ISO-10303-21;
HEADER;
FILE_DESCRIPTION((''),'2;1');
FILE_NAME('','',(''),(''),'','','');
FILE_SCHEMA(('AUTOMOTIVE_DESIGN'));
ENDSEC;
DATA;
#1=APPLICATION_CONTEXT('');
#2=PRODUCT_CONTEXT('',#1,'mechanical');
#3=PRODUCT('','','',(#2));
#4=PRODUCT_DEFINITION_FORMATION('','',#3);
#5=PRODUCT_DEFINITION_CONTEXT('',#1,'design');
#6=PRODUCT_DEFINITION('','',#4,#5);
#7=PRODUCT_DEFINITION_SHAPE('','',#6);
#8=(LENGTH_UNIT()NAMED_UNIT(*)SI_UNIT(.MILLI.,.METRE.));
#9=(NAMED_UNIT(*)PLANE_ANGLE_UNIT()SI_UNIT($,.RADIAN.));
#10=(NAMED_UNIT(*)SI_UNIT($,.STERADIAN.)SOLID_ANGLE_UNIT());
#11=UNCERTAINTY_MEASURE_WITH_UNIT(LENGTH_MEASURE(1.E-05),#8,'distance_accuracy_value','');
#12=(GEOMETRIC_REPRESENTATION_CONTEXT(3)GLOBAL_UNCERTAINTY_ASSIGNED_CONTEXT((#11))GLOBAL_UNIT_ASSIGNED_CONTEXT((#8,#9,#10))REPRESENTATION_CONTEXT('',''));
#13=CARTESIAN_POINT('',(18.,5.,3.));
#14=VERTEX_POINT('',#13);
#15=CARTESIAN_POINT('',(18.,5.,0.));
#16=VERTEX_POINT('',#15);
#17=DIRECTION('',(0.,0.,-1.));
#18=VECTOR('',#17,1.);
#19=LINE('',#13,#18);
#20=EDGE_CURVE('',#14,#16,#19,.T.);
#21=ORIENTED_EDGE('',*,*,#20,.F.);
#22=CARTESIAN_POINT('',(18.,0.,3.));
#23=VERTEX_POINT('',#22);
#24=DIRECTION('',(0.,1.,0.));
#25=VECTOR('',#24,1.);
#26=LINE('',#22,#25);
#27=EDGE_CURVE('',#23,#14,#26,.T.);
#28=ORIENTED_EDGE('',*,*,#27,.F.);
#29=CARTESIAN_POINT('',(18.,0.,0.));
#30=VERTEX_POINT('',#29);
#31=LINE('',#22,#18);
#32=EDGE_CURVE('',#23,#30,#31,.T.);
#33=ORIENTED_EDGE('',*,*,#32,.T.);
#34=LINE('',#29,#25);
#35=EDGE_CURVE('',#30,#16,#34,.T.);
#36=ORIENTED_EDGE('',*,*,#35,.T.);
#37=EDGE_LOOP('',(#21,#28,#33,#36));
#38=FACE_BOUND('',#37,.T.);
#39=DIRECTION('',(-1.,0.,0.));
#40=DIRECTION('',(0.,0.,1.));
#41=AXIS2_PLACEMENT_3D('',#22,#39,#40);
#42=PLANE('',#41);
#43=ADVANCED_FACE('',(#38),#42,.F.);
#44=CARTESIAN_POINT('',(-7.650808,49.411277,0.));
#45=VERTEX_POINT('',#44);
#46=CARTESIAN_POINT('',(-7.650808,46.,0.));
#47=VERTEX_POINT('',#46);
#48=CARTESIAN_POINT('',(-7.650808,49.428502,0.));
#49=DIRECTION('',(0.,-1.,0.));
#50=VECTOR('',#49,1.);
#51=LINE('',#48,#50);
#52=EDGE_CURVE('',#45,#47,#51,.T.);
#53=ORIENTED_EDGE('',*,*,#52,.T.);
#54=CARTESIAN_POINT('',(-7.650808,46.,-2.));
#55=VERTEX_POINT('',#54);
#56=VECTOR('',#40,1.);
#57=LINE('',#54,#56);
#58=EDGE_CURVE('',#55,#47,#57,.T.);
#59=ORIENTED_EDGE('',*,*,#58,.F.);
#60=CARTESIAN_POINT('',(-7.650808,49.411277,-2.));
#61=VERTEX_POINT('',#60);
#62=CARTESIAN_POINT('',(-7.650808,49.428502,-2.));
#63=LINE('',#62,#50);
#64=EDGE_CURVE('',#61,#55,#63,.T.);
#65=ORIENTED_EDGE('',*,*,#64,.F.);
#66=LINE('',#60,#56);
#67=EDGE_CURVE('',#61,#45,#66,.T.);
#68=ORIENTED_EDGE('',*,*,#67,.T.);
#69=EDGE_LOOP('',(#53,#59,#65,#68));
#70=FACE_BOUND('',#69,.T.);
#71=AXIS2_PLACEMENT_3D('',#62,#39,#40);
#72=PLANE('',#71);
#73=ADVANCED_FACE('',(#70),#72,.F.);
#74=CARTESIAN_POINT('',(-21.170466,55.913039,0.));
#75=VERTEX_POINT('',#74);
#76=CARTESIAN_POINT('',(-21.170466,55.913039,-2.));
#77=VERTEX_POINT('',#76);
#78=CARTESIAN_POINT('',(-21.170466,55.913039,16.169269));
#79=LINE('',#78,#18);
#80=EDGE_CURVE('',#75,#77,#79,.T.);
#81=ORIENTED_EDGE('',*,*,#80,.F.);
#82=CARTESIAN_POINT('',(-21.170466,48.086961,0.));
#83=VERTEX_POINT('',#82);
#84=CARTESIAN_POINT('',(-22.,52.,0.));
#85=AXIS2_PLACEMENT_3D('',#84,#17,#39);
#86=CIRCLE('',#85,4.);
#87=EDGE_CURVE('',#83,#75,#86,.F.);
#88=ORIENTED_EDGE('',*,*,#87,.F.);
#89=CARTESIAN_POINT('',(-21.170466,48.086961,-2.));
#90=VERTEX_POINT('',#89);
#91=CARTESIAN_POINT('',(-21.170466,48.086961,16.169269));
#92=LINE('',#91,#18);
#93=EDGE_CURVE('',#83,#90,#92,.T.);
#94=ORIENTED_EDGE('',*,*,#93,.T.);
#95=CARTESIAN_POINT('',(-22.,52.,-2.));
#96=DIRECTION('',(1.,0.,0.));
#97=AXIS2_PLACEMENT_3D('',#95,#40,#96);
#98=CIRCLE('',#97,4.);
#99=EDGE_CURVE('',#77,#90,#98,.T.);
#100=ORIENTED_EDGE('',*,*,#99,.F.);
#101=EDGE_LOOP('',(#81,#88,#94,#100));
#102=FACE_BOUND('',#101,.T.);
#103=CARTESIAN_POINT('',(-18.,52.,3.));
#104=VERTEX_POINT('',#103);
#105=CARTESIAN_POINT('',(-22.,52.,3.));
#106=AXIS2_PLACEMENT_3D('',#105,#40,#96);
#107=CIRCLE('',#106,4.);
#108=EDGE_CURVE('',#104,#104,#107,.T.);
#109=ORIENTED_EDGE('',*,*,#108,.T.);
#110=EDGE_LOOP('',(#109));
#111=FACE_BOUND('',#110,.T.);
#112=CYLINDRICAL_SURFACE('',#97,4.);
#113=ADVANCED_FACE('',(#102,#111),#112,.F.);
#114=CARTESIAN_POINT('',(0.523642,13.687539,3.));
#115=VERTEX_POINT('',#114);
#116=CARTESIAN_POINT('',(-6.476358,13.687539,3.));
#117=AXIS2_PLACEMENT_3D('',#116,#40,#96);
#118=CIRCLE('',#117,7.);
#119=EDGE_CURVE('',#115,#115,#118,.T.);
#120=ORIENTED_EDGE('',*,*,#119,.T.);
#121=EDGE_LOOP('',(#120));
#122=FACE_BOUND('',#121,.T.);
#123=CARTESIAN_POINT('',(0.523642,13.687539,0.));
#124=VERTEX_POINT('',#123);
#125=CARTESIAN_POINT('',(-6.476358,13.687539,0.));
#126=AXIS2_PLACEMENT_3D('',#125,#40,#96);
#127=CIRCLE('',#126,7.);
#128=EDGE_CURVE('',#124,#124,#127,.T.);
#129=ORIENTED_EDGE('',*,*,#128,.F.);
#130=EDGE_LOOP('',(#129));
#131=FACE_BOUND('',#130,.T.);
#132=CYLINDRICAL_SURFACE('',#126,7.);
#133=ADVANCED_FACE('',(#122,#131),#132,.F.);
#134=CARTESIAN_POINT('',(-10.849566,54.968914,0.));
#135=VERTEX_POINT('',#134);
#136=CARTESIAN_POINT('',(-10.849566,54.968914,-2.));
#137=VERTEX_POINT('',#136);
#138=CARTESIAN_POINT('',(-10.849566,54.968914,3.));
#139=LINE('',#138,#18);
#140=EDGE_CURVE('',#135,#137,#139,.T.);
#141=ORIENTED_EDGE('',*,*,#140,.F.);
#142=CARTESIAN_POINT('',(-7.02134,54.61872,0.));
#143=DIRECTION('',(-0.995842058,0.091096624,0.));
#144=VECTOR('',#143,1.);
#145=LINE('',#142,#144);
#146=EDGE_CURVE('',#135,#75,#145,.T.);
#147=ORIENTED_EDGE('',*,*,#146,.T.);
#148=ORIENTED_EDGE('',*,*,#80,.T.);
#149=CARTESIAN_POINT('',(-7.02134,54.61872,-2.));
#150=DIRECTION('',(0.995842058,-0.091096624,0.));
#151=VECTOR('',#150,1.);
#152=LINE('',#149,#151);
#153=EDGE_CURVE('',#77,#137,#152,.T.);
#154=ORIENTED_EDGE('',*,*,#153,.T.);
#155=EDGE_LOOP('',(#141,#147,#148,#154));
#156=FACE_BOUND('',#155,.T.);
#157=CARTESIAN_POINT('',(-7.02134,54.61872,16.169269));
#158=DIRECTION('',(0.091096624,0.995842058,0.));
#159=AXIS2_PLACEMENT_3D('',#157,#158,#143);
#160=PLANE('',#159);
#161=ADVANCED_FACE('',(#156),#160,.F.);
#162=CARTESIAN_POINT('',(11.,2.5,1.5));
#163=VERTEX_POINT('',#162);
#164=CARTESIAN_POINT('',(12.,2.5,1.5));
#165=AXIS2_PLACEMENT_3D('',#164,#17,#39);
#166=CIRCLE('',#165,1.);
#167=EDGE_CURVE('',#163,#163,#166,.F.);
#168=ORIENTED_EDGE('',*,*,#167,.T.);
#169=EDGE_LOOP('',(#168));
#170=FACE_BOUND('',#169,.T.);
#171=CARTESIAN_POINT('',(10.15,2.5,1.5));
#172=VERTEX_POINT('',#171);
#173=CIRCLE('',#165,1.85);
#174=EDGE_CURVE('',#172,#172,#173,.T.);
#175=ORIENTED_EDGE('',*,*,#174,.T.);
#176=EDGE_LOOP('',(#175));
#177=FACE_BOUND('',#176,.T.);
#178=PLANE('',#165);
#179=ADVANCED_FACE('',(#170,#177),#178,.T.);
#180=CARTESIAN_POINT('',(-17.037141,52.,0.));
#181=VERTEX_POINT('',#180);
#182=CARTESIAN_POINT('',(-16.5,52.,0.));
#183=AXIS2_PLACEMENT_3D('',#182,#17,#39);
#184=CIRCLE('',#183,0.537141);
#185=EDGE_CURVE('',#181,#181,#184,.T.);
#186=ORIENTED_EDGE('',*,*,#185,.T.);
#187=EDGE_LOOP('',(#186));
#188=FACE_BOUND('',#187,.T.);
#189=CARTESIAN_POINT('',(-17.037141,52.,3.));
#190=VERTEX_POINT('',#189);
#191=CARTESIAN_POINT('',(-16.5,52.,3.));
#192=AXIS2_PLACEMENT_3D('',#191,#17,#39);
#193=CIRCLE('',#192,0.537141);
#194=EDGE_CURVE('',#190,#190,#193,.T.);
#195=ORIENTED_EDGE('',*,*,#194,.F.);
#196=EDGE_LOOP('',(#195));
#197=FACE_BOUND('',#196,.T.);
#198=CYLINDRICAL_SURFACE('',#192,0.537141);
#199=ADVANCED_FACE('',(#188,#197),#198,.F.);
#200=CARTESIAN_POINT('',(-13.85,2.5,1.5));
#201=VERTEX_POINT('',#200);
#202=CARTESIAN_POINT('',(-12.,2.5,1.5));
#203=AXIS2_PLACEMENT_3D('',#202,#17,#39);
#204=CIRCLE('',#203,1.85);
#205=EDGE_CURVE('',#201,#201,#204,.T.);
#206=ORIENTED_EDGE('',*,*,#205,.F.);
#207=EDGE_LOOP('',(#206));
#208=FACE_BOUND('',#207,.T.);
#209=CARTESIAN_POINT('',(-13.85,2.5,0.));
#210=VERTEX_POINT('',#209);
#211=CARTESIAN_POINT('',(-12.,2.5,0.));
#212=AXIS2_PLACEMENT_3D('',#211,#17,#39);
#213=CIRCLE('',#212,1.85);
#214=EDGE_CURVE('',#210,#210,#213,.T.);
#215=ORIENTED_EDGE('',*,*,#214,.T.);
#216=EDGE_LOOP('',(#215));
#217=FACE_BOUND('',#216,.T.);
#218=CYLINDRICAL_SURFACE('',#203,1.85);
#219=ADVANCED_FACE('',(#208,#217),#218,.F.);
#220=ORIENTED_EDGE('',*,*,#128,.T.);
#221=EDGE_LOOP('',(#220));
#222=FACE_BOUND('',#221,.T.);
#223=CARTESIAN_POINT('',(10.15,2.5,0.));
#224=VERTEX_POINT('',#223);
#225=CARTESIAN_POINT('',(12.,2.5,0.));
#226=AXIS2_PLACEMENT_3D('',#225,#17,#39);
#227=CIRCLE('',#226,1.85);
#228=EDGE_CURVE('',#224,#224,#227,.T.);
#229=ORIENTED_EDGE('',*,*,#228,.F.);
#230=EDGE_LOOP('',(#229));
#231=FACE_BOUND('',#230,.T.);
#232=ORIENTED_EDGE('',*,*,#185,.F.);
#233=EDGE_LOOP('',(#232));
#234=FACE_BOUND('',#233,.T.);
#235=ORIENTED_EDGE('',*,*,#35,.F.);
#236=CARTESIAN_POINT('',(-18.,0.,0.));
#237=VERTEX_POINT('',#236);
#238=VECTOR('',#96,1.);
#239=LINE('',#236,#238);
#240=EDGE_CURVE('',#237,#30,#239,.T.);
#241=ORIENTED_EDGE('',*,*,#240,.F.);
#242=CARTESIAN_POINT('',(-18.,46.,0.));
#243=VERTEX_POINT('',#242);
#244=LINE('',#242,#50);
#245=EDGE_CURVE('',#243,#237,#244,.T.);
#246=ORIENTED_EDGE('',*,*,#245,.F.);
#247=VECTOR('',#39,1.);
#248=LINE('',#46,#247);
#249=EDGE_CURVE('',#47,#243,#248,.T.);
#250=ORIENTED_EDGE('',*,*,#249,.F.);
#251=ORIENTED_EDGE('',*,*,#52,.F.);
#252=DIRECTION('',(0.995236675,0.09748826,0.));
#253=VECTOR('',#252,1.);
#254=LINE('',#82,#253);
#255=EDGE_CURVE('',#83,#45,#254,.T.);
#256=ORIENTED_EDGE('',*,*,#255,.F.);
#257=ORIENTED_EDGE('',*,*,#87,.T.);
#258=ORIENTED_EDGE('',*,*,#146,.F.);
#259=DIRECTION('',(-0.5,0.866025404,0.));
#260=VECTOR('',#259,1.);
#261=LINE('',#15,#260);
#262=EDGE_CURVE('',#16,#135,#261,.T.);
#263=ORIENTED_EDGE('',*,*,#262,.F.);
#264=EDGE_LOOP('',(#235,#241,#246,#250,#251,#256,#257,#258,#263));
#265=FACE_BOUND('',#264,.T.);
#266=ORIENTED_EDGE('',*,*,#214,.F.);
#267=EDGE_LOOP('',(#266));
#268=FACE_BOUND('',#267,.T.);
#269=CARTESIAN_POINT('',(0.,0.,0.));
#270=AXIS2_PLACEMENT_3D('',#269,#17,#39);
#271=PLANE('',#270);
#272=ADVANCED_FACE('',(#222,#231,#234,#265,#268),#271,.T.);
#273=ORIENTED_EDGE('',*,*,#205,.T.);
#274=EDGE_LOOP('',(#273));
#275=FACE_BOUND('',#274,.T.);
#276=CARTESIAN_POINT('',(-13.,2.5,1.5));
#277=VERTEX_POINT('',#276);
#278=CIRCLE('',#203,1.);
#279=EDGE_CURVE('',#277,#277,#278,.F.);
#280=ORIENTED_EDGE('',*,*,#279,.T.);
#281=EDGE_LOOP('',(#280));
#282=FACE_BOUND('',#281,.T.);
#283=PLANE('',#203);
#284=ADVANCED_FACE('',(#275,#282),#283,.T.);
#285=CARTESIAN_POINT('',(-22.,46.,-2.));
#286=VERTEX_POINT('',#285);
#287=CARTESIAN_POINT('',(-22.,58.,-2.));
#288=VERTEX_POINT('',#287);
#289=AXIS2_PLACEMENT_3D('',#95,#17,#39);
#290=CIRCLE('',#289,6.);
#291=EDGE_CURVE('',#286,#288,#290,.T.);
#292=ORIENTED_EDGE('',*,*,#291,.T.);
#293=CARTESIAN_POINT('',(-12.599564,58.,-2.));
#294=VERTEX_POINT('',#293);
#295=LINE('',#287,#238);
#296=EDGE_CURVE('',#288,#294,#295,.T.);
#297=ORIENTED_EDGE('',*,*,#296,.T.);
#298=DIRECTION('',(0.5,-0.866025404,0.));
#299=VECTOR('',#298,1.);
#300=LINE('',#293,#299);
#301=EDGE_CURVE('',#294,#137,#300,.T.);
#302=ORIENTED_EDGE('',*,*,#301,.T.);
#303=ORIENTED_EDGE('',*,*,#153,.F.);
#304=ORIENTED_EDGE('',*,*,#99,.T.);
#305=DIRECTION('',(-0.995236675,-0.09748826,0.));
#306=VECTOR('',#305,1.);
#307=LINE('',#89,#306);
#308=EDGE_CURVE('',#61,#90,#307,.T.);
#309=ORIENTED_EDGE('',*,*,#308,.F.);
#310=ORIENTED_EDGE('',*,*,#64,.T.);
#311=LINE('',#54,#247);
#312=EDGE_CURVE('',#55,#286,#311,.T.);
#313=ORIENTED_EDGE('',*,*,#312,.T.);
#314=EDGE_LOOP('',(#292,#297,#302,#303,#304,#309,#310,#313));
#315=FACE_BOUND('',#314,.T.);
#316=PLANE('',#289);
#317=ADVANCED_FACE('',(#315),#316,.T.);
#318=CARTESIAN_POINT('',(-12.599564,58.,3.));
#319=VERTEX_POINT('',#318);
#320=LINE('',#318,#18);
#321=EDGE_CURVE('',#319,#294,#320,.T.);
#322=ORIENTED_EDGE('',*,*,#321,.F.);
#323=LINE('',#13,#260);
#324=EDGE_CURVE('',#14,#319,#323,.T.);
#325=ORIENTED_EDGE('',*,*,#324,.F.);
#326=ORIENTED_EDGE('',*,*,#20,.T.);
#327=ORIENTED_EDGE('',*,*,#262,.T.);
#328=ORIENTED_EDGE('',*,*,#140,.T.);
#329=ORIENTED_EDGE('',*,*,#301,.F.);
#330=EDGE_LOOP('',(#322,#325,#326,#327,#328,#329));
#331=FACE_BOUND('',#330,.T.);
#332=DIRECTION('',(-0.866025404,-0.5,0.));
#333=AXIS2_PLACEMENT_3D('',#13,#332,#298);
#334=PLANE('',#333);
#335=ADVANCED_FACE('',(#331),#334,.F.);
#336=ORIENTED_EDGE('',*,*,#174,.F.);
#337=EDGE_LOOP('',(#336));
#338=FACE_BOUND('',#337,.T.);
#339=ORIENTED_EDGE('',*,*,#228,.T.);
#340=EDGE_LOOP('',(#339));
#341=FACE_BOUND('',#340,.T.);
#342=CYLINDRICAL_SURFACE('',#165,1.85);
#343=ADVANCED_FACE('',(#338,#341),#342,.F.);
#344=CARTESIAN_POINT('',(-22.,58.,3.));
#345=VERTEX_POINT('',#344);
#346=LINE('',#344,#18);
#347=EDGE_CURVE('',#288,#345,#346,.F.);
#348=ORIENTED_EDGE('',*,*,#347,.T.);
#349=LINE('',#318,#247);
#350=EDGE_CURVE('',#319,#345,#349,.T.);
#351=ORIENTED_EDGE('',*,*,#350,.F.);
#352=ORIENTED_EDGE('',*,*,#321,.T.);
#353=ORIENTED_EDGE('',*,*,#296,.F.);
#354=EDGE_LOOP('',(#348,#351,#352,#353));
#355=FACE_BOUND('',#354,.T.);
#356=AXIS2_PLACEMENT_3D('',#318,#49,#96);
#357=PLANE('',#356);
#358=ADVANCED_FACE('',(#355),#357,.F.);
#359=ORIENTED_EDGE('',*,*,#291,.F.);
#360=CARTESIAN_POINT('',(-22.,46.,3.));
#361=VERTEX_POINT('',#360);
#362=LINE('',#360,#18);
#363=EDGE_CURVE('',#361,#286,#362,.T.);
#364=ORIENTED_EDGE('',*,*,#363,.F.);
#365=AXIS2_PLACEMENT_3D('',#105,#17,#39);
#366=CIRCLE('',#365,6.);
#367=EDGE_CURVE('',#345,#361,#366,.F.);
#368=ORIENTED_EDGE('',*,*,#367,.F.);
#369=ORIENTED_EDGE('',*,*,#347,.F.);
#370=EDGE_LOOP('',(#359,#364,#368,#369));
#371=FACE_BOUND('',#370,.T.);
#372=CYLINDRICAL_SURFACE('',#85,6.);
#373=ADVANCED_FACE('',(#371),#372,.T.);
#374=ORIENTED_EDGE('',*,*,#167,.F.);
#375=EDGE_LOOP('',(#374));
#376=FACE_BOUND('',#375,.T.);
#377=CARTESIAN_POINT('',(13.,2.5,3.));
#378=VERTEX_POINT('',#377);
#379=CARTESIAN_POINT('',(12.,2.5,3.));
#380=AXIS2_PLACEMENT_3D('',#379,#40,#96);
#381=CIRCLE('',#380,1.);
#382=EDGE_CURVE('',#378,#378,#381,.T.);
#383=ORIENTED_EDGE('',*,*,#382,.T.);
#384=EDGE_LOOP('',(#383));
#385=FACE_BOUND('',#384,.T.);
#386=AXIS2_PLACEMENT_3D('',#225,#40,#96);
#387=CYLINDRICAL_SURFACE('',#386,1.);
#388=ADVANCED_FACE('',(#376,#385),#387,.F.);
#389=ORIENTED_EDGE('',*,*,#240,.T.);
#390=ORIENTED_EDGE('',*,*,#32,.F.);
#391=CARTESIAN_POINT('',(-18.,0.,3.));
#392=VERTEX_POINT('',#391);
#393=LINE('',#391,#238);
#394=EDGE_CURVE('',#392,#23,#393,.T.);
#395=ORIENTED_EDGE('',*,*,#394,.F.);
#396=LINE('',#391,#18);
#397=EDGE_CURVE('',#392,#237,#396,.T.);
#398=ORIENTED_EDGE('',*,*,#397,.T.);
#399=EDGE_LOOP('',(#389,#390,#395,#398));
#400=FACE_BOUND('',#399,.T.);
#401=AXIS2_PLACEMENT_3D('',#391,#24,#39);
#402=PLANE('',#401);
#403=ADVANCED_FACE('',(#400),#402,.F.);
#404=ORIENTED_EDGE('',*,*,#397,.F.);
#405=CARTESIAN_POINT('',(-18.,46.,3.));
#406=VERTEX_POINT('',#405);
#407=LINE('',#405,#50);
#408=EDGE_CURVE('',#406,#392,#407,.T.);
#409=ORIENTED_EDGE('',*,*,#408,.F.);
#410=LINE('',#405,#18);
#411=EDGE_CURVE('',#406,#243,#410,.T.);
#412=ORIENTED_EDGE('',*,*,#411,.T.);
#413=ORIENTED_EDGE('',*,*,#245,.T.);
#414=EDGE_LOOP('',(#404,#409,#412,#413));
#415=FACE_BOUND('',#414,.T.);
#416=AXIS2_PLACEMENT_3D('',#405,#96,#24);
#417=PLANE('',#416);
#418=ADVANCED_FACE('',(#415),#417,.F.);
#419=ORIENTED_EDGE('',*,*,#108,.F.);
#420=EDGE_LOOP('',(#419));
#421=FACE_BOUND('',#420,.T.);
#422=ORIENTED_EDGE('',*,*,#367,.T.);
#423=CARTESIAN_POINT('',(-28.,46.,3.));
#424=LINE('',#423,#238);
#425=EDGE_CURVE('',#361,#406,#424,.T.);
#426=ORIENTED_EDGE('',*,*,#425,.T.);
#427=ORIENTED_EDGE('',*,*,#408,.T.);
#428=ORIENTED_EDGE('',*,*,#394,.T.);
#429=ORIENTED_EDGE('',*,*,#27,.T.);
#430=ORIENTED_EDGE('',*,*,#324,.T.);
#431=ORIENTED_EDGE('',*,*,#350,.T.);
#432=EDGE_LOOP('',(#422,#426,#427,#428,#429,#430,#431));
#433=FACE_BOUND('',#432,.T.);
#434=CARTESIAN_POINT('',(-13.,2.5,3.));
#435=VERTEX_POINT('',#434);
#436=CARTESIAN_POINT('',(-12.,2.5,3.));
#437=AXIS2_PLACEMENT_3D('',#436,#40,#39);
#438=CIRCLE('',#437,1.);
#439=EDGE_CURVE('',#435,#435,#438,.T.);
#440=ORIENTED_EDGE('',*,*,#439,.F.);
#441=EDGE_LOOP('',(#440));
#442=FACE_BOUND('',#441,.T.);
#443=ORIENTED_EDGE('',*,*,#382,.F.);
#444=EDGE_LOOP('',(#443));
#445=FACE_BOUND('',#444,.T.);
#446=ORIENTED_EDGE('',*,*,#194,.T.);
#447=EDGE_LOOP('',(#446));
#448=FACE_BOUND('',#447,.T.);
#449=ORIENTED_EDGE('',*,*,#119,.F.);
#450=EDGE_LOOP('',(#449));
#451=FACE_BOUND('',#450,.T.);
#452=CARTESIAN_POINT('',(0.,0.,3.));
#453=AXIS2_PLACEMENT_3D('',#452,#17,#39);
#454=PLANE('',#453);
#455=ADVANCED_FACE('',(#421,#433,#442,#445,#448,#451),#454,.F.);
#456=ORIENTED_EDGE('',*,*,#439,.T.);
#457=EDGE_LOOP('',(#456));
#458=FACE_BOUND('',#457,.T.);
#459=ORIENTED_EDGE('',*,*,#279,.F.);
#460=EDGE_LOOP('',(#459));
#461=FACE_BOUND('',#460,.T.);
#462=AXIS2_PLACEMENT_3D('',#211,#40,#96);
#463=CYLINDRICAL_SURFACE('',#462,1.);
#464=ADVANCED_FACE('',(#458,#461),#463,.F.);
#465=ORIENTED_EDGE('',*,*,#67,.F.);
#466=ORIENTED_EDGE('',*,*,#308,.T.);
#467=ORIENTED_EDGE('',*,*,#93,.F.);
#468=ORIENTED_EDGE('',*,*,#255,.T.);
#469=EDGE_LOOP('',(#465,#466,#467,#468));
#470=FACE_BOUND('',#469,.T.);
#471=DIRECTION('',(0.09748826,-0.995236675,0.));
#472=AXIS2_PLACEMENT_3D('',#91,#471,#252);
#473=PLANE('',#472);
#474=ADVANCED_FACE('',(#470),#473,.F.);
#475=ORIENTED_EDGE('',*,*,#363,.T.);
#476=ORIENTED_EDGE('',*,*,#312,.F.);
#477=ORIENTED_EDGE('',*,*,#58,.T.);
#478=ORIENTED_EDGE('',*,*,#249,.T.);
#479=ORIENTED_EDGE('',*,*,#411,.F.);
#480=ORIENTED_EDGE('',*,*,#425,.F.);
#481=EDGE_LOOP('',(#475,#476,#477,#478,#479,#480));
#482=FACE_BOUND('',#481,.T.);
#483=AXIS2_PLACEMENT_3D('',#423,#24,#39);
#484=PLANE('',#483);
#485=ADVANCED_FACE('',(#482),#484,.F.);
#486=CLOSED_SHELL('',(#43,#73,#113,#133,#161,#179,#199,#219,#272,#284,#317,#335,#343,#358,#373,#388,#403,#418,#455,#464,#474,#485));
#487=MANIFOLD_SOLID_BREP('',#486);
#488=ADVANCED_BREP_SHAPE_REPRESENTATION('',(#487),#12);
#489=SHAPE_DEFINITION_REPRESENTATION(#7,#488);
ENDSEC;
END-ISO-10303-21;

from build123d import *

# Parameters (mm, degrees)
EXTRUDE_1_DEPTH     = 3
SKETCH_3_R          = 7
CUT_EXTRUDE_1_DEPTH = 65.474801279
SKETCH_4_R          = 1
CUT_EXTRUDE_2_DEPTH = 65.474801279
FILLET_1_RADIUS     = 6
FILLET_1_LENGTH     = 3
EXTRUDE_2_DEPTH     = 2
SKETCH_7_R          = 4
CUT_EXTRUDE_3_DEPTH = 65.598761598
CUT_EXTRUDE_4_DEPTH = 2
SKETCH_9_R          = 0.537141257
CUT_EXTRUDE_5_DEPTH = 65.474801279
SKETCH_10_R         = 1.85
CUT_EXTRUDE_6_DEPTH = 1.5


with BuildPart() as part:
    # 草图1 → 凸台-拉伸1 (new body)
    with BuildSketch(Plane.XY):
        Polygon((-18, 0), (18, 0), (18, 5), (-12.599564267, 58), (-28, 58), (-28, 46), (-18, 46), align=None)
    extrude(amount=EXTRUDE_1_DEPTH)

    # 草图3 → 切除-拉伸1 (cut, through all)
    with BuildSketch(Plane.XY.offset(3)):
        with Locations((-6.476357534, 13.687539211)):
            Circle(SKETCH_3_R)
    extrude(amount=-CUT_EXTRUDE_1_DEPTH, mode=Mode.SUBTRACT)

    # 草图4 → 切除-拉伸2 (cut, through all)
    with BuildSketch(Plane.XY.offset(3)):
        with Locations((12, 2.5)):
            Circle(SKETCH_4_R)
        with Locations(Location((-12, 2.5, 0), (0, 0, 180))):
            Circle(SKETCH_4_R)
    extrude(amount=-CUT_EXTRUDE_2_DEPTH, mode=Mode.SUBTRACT)

    # 圆角1: full round fillet: the end face becomes a half cylinder, R = half its width
    fillet_1_face = Plane((-28, 52, 1.5), x_dir=(0, 0, 1), z_dir=(-1, 0, 0))  # on the end face: x along it, z out of the body
    fillet_1_slab = fillet_1_face.offset(-FILLET_1_RADIUS / 2) * Box(FILLET_1_LENGTH, 2 * FILLET_1_RADIUS, FILLET_1_RADIUS, mode=Mode.PRIVATE)  # the body's end, R deep
    fillet_1_round = Plane((-22, 52, 1.5), x_dir=(-1, 0, 0), z_dir=(0, 0, 1)) * Cylinder(FILLET_1_RADIUS, FILLET_1_LENGTH, mode=Mode.PRIVATE)  # its axis R under the face
    add(fillet_1_slab - fillet_1_round, mode=Mode.SUBTRACT)

    # 草图6 → 凸台-拉伸2 (add)
    with BuildSketch(Plane(origin=(0, 0, 0), x_dir=(-1, 0, 0), z_dir=(0, 0, -1))):
        with BuildLine():
            Line((22, 58), (12.599564267, 58))
            Line((12.599564267, 58), (7.650807626, 49.428502063))
            Line((7.650807626, 49.428502063), (7.650807626, 46))
            Line((7.650807626, 46), (22, 46))
            ThreePointArc((22, 46), (28, 52), (22, 58))
        make_face()
    extrude(amount=EXTRUDE_2_DEPTH)

    # 草图7 → 切除-拉伸3 (cut, through all)
    with BuildSketch(Plane.XY.offset(3)):
        with Locations((-22, 52)):
            Circle(SKETCH_7_R)
    extrude(amount=-CUT_EXTRUDE_3_DEPTH, mode=Mode.SUBTRACT)

    # 草图8 → 切除-拉伸4 (cut)
    with BuildSketch(Plane(origin=(0, 0, -2), x_dir=(-1, 0, 0), z_dir=(0, 0, -1))):
        Polygon((21.170465578, 55.913038799), (21.170465578, 48.086961201), (7.021339854, 49.472936706), (7.021339854, 54.618719507), align=None)
    extrude(amount=-CUT_EXTRUDE_4_DEPTH, mode=Mode.SUBTRACT)

    # 草图9 → 切除-拉伸5 (cut, through all)
    with BuildSketch(Plane(origin=(0, 0, 0), x_dir=(-1, 0, 0), z_dir=(0, 0, -1))):
        with Locations((16.5, 52)):
            Circle(SKETCH_9_R)
    extrude(amount=-CUT_EXTRUDE_5_DEPTH, mode=Mode.SUBTRACT)

    # 草图10 → 切除-拉伸6 (cut)
    with BuildSketch(Plane(origin=(0, 0, 0), x_dir=(-1, 0, 0), z_dir=(0, 0, -1))):
        with Locations((12, 2.5)):
            Circle(SKETCH_10_R)
        with Locations((-12, 2.5)):
            Circle(SKETCH_10_R)
    extrude(amount=-CUT_EXTRUDE_6_DEPTH, mode=Mode.SUBTRACT)


solid = part.part
